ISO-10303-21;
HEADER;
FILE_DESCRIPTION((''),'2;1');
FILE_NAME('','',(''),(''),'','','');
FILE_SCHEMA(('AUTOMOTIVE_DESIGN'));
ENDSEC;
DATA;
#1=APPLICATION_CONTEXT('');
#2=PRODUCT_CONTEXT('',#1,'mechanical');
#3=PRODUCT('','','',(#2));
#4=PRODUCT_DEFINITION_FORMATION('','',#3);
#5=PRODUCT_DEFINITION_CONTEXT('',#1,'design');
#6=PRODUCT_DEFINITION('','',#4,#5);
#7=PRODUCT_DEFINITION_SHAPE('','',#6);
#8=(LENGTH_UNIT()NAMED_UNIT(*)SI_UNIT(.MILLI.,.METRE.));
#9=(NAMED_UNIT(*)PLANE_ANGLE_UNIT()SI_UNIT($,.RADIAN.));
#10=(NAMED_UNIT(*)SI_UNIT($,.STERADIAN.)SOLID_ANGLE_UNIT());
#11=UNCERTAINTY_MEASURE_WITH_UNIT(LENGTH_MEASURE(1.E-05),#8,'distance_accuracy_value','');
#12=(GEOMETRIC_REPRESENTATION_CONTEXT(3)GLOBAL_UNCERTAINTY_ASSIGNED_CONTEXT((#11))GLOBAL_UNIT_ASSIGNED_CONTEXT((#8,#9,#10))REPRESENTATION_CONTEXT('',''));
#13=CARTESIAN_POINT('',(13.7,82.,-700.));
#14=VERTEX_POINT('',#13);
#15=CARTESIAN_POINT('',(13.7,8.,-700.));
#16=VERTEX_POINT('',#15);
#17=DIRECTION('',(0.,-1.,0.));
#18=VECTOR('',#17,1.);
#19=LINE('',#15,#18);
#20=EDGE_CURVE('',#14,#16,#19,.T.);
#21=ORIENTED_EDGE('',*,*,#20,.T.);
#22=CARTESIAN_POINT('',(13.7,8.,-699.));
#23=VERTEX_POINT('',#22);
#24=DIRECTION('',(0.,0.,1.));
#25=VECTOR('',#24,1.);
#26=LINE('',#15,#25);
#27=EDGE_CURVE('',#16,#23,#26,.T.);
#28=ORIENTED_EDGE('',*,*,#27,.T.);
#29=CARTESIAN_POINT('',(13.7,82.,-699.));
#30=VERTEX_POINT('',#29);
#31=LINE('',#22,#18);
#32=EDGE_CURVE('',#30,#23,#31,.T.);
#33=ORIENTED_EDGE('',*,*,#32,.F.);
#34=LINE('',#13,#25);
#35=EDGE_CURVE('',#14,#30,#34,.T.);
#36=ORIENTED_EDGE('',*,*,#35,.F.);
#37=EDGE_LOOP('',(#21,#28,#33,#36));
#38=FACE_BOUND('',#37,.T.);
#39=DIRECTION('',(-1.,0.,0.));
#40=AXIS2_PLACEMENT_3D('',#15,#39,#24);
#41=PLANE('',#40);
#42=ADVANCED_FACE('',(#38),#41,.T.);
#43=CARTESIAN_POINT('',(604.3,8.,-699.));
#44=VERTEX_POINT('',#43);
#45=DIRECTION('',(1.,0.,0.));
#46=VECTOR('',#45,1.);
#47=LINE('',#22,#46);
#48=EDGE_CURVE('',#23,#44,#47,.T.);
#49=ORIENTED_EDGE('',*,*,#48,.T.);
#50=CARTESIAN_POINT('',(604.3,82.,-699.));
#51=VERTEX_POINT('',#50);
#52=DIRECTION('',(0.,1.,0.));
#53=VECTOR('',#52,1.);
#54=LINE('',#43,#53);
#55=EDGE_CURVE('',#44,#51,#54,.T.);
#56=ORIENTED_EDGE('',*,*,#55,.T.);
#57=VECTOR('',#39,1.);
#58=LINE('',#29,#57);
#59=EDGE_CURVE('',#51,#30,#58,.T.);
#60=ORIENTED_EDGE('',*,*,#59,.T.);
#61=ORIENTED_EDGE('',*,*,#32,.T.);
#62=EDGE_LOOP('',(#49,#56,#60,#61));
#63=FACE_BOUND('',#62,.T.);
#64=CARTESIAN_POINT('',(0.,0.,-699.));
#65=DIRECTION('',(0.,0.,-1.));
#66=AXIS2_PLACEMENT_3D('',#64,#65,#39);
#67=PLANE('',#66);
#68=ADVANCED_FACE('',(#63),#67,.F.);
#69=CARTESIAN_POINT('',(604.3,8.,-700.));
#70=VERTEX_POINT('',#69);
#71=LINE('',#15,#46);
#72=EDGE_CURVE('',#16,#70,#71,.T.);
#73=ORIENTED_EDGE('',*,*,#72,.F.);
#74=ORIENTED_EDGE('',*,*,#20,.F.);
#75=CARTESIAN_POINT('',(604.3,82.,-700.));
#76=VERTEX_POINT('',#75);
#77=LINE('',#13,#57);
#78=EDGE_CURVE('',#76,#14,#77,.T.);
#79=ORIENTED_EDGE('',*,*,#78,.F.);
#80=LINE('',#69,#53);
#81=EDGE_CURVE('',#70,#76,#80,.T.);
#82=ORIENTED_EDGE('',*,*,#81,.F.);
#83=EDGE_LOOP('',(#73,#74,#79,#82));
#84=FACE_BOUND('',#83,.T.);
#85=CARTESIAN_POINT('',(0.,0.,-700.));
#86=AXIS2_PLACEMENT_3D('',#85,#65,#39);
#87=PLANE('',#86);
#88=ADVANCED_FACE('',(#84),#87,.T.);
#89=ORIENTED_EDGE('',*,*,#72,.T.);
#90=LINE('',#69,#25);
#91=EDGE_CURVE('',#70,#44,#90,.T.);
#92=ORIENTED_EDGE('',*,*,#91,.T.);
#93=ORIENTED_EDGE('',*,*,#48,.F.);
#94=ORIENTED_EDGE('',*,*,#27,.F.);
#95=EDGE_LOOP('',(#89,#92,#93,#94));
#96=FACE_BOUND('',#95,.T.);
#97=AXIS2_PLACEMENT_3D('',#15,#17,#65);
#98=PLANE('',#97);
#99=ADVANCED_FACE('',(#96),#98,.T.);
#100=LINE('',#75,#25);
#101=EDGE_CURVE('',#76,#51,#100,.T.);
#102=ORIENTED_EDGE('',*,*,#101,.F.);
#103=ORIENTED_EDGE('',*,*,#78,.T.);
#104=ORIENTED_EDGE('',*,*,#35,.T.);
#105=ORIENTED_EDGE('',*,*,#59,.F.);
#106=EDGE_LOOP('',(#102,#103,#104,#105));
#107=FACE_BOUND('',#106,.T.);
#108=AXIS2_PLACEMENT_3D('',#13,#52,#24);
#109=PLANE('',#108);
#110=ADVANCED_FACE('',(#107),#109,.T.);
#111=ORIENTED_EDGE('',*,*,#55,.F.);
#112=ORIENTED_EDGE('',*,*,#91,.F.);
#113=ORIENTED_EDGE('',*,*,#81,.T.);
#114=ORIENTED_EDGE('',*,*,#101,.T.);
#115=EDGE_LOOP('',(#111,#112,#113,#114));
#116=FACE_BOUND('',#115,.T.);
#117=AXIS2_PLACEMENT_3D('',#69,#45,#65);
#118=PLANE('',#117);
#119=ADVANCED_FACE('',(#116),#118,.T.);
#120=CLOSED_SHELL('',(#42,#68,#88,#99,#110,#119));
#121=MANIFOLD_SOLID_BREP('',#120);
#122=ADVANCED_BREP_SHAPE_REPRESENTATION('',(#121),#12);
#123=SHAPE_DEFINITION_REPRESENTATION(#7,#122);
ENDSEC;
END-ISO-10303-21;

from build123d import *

# Parameters (mm, degrees)
CEK_DONMUS_KUTU_ARKA_1_0_1_START = -699
SKETCH1_W                        = 590.6
SKETCH1_H                        = 74
CEK_DONMUS_KUTU_ARKA_1_0_1_DEPTH = 1


with BuildPart() as part:
    # Sketch1 → CEK_donmus_kutu_arka_1.0_1 (new body)
    with BuildSketch(Plane.XY.offset(CEK_DONMUS_KUTU_ARKA_1_0_1_START)):
        with Locations((309, 45)):
            Rectangle(SKETCH1_W, SKETCH1_H)
    extrude(amount=-CEK_DONMUS_KUTU_ARKA_1_0_1_DEPTH)


solid = part.part
